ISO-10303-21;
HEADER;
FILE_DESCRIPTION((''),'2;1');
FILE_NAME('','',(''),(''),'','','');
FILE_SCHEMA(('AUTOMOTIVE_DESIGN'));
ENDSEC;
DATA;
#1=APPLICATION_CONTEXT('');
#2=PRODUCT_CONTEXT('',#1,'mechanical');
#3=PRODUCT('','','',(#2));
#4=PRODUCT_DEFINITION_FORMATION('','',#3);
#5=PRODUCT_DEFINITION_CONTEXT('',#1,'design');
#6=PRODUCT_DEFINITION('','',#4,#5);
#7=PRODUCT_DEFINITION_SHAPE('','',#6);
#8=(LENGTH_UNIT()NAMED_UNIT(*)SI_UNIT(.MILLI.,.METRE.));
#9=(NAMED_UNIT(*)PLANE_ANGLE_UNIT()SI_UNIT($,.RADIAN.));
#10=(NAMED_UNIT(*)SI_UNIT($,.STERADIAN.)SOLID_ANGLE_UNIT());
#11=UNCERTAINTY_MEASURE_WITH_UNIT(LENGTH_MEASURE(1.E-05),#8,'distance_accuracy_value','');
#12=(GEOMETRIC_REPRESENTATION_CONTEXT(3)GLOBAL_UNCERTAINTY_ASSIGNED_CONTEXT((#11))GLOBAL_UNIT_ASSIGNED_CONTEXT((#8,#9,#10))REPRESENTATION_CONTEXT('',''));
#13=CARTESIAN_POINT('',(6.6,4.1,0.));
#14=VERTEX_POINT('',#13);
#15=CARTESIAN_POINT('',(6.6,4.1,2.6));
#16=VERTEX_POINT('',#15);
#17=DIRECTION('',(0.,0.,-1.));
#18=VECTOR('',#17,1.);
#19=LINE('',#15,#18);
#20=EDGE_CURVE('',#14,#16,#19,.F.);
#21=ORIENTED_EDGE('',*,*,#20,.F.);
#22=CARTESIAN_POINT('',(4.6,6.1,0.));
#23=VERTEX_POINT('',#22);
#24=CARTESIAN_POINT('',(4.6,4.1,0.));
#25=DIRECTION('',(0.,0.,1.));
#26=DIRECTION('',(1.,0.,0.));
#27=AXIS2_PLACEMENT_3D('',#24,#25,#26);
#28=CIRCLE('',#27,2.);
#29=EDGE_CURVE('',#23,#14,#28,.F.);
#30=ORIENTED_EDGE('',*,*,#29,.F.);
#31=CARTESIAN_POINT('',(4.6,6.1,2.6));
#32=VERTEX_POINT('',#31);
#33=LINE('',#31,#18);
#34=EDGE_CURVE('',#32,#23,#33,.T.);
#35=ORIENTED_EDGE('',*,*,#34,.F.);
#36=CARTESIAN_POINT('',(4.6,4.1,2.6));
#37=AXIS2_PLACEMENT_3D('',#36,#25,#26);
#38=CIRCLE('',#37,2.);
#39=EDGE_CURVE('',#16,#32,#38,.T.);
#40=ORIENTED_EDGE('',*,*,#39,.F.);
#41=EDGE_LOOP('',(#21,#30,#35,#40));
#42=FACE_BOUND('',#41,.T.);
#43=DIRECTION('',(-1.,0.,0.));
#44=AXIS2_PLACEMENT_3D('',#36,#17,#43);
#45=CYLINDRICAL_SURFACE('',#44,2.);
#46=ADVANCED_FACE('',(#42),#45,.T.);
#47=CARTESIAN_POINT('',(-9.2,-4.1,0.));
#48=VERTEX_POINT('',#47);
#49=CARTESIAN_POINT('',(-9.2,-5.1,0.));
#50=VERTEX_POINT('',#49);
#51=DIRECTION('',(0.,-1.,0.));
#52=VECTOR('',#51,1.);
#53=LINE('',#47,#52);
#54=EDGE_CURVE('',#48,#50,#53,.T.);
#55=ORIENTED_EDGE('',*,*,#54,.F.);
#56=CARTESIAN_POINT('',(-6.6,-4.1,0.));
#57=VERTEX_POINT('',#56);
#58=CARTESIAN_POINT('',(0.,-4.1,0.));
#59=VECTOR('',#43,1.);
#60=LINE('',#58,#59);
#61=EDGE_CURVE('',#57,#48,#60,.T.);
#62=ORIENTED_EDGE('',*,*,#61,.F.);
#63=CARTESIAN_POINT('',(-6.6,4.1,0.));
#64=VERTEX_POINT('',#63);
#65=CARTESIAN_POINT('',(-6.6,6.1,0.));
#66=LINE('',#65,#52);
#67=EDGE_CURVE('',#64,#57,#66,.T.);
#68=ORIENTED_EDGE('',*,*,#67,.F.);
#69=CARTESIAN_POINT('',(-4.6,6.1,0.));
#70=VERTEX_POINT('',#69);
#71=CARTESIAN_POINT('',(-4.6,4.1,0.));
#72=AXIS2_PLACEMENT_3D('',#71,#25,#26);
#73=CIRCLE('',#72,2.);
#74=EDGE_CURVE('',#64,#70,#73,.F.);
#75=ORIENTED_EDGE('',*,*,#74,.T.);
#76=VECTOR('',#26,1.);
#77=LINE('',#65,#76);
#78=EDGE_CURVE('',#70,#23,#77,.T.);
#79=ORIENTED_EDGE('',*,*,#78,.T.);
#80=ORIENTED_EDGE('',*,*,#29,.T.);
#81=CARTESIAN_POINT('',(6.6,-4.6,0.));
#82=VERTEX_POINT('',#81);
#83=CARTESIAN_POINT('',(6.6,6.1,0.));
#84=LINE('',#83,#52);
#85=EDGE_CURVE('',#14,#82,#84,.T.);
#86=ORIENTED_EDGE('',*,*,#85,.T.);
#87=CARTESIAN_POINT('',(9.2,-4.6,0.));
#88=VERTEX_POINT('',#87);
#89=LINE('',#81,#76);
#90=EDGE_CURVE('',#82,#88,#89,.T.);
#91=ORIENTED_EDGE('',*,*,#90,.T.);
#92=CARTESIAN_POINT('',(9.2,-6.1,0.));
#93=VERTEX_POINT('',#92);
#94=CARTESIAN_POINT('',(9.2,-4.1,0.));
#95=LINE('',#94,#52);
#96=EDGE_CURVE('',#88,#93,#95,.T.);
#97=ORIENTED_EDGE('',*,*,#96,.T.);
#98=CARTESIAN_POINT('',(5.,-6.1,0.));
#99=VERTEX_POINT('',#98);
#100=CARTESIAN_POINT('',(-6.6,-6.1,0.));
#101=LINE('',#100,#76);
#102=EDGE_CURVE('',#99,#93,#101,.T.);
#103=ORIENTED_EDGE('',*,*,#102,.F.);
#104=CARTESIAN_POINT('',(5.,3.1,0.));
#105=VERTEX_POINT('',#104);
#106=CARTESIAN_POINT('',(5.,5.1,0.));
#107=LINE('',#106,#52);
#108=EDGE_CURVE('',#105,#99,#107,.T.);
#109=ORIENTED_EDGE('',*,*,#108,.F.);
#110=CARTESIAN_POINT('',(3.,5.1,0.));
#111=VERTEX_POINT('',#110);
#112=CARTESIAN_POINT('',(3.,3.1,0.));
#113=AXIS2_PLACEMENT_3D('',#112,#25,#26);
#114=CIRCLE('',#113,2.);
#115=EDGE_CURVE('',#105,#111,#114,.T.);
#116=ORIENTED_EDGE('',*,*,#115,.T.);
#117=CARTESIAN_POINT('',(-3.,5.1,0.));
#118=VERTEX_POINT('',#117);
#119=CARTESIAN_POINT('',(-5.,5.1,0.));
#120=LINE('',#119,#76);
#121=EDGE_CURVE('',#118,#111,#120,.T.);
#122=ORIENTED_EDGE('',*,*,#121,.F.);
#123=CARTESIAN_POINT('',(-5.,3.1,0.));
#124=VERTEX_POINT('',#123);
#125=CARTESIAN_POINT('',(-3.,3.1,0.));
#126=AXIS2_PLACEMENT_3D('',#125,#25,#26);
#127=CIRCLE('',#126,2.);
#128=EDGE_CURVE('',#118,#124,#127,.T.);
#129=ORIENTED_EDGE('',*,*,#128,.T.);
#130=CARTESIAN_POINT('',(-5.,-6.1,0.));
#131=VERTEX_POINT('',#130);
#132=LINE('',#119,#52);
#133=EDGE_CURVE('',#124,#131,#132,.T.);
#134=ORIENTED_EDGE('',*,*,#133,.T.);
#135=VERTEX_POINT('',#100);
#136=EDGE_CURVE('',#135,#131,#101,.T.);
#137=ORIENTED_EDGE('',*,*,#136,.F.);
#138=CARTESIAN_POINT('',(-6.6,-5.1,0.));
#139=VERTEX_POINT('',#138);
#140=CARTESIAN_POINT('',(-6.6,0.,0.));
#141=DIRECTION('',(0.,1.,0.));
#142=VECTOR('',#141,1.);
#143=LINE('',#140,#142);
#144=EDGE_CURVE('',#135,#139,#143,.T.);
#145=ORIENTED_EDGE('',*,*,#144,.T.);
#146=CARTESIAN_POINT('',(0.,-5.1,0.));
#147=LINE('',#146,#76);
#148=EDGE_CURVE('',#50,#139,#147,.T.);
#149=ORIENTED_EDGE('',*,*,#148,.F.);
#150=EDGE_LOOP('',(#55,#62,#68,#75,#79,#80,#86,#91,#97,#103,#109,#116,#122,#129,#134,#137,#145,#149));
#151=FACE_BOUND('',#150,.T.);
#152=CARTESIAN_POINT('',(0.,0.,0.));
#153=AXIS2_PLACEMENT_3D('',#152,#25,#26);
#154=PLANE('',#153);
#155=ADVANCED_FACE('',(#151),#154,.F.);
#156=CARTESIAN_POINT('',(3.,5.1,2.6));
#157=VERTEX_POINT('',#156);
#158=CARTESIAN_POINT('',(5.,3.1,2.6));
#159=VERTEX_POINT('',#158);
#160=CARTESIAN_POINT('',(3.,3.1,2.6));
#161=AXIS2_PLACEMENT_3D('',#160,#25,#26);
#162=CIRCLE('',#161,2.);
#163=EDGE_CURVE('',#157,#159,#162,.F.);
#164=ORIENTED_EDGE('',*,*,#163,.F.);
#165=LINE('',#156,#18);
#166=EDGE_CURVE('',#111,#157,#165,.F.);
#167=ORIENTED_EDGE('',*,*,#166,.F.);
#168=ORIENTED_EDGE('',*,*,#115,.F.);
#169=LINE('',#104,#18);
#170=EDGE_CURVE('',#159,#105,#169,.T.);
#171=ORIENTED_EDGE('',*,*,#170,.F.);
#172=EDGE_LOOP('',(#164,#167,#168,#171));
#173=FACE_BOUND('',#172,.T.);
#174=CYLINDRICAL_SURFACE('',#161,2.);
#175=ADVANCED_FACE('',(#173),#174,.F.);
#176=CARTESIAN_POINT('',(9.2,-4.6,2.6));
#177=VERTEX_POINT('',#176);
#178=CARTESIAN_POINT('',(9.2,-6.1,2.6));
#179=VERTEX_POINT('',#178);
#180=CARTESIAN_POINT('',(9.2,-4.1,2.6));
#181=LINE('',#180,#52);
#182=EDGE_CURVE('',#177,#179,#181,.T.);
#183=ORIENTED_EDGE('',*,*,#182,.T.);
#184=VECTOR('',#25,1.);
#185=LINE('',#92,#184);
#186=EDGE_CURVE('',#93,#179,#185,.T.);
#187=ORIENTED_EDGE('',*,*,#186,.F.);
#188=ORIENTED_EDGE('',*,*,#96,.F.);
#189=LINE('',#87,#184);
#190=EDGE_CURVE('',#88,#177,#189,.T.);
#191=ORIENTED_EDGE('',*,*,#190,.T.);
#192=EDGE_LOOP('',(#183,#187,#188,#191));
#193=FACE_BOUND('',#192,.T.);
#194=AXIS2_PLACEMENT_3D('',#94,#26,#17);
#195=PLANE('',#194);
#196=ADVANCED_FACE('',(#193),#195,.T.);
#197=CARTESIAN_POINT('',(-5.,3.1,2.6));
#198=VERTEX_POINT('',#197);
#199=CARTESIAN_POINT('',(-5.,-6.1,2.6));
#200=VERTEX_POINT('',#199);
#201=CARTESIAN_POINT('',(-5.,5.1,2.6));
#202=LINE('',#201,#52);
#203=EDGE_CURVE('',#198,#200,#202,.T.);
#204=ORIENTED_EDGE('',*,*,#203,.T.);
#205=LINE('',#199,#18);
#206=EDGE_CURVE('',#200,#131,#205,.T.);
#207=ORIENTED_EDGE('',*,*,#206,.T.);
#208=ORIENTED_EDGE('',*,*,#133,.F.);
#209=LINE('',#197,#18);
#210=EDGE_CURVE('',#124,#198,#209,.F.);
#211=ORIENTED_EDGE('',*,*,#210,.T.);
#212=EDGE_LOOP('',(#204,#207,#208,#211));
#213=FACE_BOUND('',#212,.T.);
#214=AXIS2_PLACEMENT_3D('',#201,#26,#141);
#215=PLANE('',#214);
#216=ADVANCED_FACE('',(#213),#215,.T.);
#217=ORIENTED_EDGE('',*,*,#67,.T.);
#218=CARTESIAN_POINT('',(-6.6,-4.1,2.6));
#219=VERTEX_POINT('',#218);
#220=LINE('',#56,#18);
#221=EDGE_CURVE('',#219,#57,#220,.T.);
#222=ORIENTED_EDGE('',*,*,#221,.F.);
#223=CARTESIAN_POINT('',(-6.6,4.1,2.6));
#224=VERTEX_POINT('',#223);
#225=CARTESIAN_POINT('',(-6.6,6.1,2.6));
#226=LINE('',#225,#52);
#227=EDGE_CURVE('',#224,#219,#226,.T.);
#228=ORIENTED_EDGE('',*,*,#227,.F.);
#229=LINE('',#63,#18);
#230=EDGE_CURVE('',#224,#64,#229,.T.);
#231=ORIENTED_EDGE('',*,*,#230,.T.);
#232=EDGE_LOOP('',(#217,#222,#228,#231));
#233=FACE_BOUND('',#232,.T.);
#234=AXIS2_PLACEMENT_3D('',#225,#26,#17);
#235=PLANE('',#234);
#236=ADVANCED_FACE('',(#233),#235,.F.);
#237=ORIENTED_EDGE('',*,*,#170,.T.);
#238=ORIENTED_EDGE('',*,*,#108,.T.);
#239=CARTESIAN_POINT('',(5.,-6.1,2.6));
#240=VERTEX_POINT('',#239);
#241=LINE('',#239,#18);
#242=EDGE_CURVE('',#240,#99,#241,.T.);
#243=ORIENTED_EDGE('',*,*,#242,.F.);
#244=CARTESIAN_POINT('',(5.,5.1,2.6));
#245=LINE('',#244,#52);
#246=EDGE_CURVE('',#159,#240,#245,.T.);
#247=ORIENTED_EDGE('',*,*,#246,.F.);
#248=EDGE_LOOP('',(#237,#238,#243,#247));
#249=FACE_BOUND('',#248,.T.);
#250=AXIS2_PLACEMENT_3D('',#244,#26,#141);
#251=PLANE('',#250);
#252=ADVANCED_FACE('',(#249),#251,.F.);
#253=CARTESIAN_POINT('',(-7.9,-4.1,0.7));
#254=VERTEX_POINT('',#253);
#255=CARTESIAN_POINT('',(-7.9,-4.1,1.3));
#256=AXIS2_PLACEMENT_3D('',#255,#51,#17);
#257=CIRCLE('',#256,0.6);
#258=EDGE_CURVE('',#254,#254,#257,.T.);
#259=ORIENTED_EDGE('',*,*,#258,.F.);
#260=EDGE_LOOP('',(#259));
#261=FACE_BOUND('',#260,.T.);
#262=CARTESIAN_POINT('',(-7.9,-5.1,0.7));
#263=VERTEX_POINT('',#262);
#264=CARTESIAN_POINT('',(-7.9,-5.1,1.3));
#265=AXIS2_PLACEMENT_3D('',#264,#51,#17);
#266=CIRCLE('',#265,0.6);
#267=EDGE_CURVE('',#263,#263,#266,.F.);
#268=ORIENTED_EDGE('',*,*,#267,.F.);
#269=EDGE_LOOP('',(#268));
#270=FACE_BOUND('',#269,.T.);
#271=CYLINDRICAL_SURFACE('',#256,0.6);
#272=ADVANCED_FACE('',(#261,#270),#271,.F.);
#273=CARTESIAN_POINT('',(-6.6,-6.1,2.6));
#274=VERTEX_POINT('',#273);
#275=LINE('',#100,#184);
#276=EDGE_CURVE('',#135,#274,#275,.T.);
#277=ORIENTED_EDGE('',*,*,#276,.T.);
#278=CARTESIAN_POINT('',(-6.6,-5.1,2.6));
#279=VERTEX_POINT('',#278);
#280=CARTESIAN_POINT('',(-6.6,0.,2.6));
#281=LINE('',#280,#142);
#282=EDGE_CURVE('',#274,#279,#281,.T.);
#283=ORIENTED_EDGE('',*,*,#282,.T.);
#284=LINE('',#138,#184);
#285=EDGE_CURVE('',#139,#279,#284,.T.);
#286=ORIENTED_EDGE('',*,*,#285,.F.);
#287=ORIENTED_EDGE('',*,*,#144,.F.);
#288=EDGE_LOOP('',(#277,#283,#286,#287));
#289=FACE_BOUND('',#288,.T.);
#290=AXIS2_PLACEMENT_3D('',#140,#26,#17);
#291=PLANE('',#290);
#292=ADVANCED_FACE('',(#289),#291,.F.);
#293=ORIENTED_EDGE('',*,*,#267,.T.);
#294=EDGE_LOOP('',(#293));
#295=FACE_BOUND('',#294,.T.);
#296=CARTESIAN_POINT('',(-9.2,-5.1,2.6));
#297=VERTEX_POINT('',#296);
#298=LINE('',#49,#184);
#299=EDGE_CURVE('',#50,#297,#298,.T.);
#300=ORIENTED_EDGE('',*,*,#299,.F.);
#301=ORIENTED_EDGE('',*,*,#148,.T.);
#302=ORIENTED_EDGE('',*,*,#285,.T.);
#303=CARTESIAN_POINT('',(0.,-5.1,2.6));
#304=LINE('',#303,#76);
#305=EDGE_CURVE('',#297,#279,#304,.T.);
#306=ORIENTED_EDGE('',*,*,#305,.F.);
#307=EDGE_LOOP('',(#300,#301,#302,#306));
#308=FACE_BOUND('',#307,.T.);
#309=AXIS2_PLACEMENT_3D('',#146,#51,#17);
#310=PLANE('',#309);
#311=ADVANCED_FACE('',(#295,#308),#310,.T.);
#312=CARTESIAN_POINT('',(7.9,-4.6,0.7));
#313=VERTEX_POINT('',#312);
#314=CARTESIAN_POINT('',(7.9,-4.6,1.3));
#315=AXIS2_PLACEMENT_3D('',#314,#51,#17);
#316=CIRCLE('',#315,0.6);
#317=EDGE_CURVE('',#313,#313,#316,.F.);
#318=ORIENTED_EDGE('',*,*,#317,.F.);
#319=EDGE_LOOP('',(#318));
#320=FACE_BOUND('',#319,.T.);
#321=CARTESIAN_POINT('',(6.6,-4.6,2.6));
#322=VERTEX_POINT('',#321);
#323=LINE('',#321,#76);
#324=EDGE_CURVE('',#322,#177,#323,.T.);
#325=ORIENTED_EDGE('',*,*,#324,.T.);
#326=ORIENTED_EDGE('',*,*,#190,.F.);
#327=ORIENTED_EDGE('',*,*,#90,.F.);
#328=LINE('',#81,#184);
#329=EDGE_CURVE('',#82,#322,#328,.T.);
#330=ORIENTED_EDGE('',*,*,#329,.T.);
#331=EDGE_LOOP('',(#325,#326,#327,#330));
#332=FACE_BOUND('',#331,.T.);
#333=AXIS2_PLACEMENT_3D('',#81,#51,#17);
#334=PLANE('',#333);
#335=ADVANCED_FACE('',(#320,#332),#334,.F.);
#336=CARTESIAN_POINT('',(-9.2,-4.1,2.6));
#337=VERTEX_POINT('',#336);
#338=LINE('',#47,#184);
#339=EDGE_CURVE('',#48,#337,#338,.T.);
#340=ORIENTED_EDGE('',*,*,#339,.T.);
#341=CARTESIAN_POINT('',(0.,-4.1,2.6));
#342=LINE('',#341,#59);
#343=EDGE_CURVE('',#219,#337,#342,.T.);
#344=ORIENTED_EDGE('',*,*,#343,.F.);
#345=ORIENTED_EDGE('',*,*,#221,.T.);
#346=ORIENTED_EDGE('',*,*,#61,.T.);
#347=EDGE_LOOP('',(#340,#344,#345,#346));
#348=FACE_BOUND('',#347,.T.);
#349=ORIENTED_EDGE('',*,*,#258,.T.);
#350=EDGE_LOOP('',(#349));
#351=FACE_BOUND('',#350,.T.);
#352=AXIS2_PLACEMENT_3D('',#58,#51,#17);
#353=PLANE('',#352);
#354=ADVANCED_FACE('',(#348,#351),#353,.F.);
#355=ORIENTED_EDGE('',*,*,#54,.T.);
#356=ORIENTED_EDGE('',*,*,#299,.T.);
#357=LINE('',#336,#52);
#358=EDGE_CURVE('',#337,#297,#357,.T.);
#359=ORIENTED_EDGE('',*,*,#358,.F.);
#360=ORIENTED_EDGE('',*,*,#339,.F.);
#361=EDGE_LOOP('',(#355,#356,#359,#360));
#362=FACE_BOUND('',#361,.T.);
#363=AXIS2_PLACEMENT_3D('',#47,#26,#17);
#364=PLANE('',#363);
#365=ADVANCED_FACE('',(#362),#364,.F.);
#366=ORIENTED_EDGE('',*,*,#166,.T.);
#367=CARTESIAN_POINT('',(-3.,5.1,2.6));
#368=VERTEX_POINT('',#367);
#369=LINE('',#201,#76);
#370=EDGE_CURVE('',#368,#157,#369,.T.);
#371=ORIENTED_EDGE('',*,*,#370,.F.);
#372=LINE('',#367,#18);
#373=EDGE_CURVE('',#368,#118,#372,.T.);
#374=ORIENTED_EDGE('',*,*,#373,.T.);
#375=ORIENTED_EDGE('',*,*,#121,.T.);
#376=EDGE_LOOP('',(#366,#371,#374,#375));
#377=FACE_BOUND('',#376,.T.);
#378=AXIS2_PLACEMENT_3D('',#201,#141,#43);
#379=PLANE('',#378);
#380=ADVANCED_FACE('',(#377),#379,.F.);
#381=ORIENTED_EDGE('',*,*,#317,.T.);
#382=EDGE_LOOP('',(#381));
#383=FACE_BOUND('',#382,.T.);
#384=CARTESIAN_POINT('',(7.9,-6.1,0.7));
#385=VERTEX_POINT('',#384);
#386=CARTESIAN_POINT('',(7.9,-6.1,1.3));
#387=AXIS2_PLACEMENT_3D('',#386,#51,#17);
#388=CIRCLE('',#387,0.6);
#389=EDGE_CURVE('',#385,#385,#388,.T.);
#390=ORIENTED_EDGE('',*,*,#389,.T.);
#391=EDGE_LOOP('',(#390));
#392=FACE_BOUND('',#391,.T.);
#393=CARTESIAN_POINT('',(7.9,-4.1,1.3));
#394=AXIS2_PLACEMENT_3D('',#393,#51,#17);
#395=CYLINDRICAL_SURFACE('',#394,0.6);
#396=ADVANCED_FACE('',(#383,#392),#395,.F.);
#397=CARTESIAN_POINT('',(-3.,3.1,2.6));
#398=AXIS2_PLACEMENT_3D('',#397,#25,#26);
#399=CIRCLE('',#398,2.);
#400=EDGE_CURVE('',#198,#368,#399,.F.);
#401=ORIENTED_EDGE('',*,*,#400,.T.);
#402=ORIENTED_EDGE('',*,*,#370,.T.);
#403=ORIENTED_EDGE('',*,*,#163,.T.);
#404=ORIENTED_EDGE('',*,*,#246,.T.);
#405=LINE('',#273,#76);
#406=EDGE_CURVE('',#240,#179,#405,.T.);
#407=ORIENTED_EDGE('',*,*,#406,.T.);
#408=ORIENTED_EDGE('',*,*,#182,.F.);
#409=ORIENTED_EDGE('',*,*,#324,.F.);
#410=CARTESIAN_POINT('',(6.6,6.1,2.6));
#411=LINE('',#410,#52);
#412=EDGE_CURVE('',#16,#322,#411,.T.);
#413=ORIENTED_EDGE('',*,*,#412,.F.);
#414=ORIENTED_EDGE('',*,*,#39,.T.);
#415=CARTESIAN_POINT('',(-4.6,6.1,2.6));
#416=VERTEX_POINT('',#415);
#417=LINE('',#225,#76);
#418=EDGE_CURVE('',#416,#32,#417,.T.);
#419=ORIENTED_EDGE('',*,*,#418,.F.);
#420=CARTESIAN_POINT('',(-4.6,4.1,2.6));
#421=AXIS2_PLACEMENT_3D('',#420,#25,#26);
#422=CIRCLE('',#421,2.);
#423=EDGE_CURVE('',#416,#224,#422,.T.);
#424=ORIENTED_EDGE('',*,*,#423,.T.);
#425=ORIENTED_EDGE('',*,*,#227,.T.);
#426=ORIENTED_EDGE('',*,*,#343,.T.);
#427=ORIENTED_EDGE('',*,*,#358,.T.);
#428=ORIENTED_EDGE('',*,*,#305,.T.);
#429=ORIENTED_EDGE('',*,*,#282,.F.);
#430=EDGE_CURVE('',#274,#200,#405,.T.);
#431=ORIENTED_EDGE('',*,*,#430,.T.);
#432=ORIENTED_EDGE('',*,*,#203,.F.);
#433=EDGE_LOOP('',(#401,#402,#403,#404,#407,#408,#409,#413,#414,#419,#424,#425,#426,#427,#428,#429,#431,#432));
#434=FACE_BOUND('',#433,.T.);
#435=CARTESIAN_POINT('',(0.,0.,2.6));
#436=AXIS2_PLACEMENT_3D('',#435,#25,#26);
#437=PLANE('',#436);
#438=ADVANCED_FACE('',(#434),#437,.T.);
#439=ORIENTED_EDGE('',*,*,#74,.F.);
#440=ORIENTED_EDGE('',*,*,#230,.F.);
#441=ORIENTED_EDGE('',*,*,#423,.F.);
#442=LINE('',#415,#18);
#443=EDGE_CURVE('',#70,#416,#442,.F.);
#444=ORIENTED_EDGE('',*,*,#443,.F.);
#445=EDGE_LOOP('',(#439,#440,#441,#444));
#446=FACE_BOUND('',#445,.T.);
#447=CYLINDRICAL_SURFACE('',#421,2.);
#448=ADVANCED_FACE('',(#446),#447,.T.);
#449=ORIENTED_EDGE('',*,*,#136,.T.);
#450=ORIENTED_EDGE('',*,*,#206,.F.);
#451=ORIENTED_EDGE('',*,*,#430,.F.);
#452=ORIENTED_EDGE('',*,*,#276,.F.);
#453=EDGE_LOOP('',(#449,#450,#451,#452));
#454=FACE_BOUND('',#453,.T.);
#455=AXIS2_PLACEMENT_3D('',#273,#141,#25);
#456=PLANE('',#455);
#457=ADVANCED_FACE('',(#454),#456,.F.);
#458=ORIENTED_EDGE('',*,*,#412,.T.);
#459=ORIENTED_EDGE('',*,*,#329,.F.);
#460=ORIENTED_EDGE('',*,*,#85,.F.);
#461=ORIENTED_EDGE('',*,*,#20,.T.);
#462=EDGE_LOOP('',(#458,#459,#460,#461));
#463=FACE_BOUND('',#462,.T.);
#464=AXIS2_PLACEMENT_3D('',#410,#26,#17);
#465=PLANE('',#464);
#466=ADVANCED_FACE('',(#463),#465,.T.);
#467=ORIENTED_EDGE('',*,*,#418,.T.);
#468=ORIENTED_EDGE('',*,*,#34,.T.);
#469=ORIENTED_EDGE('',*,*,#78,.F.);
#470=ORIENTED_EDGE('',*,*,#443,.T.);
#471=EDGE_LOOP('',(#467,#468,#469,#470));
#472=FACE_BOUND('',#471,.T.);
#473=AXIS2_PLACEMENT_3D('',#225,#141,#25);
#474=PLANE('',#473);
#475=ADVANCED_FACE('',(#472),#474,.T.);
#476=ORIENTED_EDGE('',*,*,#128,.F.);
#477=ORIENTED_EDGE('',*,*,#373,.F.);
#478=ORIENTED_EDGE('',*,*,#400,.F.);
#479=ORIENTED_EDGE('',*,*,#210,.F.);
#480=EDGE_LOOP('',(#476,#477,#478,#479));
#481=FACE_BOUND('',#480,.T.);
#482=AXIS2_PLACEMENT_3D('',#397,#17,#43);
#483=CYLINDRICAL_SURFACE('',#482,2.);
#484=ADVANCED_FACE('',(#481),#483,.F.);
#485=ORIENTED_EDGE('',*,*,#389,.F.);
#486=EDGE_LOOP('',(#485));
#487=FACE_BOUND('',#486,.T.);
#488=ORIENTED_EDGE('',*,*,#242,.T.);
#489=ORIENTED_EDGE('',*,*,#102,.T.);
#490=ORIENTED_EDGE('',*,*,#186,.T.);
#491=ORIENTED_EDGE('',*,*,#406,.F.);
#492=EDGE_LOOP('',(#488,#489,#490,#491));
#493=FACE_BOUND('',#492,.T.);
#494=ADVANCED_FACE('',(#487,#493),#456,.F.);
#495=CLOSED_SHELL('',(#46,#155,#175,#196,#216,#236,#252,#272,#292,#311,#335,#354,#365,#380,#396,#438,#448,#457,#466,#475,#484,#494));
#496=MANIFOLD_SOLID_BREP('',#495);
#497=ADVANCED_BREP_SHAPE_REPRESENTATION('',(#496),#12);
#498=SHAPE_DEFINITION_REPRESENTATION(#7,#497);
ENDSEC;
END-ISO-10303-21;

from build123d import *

# Parameters (mm, degrees)
EXTRUDE_1_DEPTH     = 2.6
FILLET_1_R          = 2
SKETCH_2_W          = 2.6
SKETCH_2_H          = 2.6
SKETCH_2_R          = 0.6
EXTRUDE_2_DEPTH     = 2
SKETCH_4_W          = 2.6
SKETCH_4_H          = 1
SKETCH_4_H_2        = 0.5
CUT_EXTRUDE_1_DEPTH = 12.340634903


with BuildPart() as part:
    # 草图1 → 凸台-拉伸1 (new body)
    with BuildSketch(Plane.XY):
        Polygon((6.6, 6.1), (-6.6, 6.1), (-6.6, -6.1), (-5, -6.1), (-5, 5.1), (5, 5.1), (5, -6.1), (6.6, -6.1), align=None)
    extrude(amount=EXTRUDE_1_DEPTH)

    # 圆角1
    fillet_1_edges = [part.edges().sort_by_distance(p)[0] for p in [
        (5, 5.1, 1.3),
        (-5, 5.1, 1.3),
        (-6.6, 6.1, 1.3),
        (6.6, 6.1, 1.3),
    ]]
    fillet(fillet_1_edges, radius=FILLET_1_R)

    # 草图2 → 凸台-拉伸2 (add)
    # profile 1 of 2: a face of its own
    with BuildSketch(Plane.XZ.offset(6.1)):
        with Locations((-7.9, 1.3)):
            Rectangle(SKETCH_2_W, SKETCH_2_H)
        with Locations(Location((-7.9, 1.3, 0), (0, 0, 270))):
            Circle(SKETCH_2_R, mode=Mode.SUBTRACT)
    # profile 2 of 2: a face of its own
    with BuildSketch(Plane.XZ.offset(6.1)):
        with Locations((7.9, 1.3)):
            Rectangle(SKETCH_2_W, SKETCH_2_H)
        with Locations(Location((7.9, 1.3, 0), (0, 0, 270))):
            Circle(SKETCH_2_R, mode=Mode.SUBTRACT)
    extrude(amount=-EXTRUDE_2_DEPTH)

    # 草图4 → 切除-拉伸1 (cut, through all)
    with BuildSketch(Plane.XY.offset(2.6)):
        with Locations((-7.9, -5.6)):
            Rectangle(SKETCH_4_W, SKETCH_4_H)
        with Locations((7.9, -4.35)):
            Rectangle(SKETCH_4_W, SKETCH_4_H_2)
    extrude(amount=-CUT_EXTRUDE_1_DEPTH, mode=Mode.SUBTRACT)


solid = part.part
